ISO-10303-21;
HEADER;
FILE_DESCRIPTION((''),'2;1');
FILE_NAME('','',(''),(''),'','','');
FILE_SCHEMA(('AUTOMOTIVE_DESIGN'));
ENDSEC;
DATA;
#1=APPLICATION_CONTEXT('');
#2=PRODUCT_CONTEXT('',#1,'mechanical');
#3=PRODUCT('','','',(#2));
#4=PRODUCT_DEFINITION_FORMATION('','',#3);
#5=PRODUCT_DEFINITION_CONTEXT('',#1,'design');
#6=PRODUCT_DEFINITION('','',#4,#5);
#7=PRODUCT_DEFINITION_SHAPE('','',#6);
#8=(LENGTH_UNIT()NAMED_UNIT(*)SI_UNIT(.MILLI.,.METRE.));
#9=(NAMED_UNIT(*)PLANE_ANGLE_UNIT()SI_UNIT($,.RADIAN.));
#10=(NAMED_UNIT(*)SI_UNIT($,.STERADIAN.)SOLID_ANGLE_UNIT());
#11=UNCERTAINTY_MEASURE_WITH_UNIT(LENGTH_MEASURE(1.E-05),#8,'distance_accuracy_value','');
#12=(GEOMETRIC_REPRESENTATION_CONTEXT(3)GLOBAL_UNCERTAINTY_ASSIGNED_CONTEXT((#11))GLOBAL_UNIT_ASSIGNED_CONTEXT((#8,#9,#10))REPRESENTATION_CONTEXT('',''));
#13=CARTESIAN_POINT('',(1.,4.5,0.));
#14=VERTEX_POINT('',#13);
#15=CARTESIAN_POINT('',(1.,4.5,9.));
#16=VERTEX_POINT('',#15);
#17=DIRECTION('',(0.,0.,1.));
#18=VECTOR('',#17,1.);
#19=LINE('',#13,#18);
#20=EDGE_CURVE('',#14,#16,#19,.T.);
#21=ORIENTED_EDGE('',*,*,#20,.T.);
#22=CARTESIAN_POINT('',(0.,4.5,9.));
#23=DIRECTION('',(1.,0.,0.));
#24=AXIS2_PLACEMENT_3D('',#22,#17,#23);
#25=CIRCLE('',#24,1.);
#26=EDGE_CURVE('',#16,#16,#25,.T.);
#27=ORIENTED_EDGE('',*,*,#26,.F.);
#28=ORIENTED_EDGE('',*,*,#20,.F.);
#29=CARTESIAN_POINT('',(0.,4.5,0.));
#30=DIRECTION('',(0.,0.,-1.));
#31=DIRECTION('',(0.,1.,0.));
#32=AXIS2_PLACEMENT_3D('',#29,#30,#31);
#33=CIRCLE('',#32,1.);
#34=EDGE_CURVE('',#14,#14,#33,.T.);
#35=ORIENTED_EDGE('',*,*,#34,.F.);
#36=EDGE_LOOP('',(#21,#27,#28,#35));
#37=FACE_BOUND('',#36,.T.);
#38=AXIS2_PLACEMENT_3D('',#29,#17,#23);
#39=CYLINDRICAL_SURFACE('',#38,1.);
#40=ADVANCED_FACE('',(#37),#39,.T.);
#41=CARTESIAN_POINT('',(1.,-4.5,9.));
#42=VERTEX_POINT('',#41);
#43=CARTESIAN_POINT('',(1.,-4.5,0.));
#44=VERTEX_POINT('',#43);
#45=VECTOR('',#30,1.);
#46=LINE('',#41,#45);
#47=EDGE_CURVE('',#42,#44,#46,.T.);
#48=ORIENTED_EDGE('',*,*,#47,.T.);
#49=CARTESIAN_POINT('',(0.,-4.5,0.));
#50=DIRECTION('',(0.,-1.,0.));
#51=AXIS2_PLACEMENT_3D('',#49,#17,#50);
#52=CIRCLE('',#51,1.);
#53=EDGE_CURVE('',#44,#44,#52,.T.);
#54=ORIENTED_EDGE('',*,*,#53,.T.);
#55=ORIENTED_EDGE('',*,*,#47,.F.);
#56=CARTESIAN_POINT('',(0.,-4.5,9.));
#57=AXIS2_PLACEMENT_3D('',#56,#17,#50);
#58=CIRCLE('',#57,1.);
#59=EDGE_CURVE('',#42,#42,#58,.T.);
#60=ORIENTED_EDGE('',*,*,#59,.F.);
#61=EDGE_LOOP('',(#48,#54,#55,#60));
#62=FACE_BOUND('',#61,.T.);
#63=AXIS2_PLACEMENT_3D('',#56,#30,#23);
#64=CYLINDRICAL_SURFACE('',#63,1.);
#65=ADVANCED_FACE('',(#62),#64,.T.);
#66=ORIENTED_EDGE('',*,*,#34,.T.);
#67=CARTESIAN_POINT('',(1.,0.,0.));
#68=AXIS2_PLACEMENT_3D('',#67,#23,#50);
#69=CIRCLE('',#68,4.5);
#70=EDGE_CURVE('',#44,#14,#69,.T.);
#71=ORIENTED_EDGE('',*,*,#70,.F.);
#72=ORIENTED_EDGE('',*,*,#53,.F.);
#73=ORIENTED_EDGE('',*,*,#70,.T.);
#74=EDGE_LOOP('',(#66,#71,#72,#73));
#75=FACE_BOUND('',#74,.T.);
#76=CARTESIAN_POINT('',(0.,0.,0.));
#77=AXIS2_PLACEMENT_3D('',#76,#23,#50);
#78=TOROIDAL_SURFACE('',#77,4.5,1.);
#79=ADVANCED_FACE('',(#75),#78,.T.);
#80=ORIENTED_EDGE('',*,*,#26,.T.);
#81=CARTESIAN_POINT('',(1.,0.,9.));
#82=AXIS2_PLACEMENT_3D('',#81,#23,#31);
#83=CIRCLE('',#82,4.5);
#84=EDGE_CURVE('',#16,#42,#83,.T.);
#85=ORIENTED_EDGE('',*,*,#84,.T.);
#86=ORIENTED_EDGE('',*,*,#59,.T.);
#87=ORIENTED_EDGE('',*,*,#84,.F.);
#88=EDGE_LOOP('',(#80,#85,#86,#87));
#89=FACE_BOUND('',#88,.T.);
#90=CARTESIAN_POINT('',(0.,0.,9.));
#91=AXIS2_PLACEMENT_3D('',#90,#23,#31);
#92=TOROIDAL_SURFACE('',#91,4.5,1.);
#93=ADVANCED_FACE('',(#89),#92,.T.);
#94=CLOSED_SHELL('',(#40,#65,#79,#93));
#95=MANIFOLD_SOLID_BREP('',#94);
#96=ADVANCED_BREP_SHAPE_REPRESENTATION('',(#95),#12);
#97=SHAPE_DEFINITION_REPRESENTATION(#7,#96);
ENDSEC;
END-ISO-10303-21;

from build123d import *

# Parameters (mm, degrees)
F1_R = 1


with BuildPart() as f2:
    # F2: sweep along a path in F0
    with BuildLine(Plane.YZ) as f2_path:
        ThreePointArc((-4.5, 0), (0, -4.5), (4.5, 0))
        Line((4.5, 0), (4.5, 9))
        ThreePointArc((4.5, 9), (0, 13.5), (-4.5, 9))
        Line((-4.5, 9), (-4.5, 0))
    # F1 (on Top) → F2 (sweep)
    with BuildSketch(Plane.XY):
        with Locations((0, 4.5)):
            Circle(F1_R)
    sweep(path=f2_path.line)


solid = f2.part
